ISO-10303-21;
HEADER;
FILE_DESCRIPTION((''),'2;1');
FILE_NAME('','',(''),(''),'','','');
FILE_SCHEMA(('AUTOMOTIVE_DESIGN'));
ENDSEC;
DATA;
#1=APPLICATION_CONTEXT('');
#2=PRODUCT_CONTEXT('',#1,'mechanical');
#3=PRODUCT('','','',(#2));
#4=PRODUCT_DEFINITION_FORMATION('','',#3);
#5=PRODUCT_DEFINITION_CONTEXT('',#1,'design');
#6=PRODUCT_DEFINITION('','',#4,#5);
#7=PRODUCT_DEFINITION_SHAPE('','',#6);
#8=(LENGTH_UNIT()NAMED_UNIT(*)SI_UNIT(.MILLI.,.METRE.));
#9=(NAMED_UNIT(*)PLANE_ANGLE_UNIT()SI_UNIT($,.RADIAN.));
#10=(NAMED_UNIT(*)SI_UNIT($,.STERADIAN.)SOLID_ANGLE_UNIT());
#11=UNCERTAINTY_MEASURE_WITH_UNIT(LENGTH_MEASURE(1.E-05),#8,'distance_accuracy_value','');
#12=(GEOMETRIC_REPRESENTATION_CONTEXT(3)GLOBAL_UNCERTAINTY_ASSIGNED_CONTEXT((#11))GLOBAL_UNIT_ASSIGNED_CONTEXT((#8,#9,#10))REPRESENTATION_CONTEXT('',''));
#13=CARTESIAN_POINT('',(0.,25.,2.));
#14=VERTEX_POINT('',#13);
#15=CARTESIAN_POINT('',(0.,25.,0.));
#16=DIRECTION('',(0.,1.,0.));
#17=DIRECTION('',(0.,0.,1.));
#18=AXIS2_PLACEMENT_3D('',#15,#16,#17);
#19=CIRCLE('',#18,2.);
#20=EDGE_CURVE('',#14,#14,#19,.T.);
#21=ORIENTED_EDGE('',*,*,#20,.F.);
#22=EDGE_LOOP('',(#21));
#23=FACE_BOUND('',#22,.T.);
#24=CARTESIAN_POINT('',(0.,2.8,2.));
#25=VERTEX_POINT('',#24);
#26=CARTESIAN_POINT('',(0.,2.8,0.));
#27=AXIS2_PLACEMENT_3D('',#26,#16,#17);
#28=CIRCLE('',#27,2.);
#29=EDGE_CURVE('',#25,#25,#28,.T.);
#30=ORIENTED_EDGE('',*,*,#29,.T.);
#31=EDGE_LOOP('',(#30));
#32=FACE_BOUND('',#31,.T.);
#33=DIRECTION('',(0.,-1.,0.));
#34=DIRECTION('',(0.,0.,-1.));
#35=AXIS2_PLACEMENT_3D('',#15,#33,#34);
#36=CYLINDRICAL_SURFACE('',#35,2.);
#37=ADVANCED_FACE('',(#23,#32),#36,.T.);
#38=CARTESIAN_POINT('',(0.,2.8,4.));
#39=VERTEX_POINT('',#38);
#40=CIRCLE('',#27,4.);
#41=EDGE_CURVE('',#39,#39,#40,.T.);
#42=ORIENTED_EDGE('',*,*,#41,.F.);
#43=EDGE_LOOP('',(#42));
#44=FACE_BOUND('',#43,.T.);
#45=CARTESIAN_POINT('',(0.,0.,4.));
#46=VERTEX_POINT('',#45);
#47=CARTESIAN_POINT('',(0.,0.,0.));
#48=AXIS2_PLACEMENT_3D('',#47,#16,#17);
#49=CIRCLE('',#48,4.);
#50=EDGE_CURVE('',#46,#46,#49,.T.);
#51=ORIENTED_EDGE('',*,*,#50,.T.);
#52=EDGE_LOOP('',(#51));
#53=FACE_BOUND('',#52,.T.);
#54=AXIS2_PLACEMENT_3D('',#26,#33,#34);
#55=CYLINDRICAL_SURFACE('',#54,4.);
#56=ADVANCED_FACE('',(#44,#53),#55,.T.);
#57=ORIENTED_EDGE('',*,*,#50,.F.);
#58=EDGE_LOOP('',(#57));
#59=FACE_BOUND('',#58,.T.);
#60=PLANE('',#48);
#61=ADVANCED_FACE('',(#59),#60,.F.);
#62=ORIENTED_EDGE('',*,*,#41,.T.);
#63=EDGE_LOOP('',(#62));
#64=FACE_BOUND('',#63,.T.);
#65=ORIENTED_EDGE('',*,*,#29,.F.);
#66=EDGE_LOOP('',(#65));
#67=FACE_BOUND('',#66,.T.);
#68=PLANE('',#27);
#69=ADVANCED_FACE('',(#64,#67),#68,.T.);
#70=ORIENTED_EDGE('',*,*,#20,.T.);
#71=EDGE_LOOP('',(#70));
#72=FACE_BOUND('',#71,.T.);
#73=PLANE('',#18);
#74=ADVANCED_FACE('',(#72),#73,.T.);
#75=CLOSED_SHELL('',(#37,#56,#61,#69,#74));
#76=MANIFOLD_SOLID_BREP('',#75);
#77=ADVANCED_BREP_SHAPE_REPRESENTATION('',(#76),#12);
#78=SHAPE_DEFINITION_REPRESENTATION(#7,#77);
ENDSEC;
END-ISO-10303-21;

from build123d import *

# Parameters (mm, degrees)
SKETCH_1_R      = 4
SKETCH_1_R_2    = 2
EXTRUDE_1_DEPTH = 2.8
SKETCH_1_4_R    = 2
EXTRUDE_3_DEPTH = 25


with BuildPart() as part:
    # 草图1 → 凸台-拉伸1 (new body)
    with BuildSketch(Plane(origin=(0, 0, 0), x_dir=(1, 0, 0), z_dir=(0, 1, 0))):
        Circle(SKETCH_1_R)
        Circle(SKETCH_1_R_2, mode=Mode.SUBTRACT)
    extrude(amount=EXTRUDE_1_DEPTH)

    # 草图1<4> → 凸台-拉伸3 (add)
    with BuildSketch(Plane(origin=(0, 0, 0), x_dir=(1, 0, 0), z_dir=(0, 1, 0))):
        Circle(SKETCH_1_4_R)
    extrude(amount=EXTRUDE_3_DEPTH)


solid = part.part
